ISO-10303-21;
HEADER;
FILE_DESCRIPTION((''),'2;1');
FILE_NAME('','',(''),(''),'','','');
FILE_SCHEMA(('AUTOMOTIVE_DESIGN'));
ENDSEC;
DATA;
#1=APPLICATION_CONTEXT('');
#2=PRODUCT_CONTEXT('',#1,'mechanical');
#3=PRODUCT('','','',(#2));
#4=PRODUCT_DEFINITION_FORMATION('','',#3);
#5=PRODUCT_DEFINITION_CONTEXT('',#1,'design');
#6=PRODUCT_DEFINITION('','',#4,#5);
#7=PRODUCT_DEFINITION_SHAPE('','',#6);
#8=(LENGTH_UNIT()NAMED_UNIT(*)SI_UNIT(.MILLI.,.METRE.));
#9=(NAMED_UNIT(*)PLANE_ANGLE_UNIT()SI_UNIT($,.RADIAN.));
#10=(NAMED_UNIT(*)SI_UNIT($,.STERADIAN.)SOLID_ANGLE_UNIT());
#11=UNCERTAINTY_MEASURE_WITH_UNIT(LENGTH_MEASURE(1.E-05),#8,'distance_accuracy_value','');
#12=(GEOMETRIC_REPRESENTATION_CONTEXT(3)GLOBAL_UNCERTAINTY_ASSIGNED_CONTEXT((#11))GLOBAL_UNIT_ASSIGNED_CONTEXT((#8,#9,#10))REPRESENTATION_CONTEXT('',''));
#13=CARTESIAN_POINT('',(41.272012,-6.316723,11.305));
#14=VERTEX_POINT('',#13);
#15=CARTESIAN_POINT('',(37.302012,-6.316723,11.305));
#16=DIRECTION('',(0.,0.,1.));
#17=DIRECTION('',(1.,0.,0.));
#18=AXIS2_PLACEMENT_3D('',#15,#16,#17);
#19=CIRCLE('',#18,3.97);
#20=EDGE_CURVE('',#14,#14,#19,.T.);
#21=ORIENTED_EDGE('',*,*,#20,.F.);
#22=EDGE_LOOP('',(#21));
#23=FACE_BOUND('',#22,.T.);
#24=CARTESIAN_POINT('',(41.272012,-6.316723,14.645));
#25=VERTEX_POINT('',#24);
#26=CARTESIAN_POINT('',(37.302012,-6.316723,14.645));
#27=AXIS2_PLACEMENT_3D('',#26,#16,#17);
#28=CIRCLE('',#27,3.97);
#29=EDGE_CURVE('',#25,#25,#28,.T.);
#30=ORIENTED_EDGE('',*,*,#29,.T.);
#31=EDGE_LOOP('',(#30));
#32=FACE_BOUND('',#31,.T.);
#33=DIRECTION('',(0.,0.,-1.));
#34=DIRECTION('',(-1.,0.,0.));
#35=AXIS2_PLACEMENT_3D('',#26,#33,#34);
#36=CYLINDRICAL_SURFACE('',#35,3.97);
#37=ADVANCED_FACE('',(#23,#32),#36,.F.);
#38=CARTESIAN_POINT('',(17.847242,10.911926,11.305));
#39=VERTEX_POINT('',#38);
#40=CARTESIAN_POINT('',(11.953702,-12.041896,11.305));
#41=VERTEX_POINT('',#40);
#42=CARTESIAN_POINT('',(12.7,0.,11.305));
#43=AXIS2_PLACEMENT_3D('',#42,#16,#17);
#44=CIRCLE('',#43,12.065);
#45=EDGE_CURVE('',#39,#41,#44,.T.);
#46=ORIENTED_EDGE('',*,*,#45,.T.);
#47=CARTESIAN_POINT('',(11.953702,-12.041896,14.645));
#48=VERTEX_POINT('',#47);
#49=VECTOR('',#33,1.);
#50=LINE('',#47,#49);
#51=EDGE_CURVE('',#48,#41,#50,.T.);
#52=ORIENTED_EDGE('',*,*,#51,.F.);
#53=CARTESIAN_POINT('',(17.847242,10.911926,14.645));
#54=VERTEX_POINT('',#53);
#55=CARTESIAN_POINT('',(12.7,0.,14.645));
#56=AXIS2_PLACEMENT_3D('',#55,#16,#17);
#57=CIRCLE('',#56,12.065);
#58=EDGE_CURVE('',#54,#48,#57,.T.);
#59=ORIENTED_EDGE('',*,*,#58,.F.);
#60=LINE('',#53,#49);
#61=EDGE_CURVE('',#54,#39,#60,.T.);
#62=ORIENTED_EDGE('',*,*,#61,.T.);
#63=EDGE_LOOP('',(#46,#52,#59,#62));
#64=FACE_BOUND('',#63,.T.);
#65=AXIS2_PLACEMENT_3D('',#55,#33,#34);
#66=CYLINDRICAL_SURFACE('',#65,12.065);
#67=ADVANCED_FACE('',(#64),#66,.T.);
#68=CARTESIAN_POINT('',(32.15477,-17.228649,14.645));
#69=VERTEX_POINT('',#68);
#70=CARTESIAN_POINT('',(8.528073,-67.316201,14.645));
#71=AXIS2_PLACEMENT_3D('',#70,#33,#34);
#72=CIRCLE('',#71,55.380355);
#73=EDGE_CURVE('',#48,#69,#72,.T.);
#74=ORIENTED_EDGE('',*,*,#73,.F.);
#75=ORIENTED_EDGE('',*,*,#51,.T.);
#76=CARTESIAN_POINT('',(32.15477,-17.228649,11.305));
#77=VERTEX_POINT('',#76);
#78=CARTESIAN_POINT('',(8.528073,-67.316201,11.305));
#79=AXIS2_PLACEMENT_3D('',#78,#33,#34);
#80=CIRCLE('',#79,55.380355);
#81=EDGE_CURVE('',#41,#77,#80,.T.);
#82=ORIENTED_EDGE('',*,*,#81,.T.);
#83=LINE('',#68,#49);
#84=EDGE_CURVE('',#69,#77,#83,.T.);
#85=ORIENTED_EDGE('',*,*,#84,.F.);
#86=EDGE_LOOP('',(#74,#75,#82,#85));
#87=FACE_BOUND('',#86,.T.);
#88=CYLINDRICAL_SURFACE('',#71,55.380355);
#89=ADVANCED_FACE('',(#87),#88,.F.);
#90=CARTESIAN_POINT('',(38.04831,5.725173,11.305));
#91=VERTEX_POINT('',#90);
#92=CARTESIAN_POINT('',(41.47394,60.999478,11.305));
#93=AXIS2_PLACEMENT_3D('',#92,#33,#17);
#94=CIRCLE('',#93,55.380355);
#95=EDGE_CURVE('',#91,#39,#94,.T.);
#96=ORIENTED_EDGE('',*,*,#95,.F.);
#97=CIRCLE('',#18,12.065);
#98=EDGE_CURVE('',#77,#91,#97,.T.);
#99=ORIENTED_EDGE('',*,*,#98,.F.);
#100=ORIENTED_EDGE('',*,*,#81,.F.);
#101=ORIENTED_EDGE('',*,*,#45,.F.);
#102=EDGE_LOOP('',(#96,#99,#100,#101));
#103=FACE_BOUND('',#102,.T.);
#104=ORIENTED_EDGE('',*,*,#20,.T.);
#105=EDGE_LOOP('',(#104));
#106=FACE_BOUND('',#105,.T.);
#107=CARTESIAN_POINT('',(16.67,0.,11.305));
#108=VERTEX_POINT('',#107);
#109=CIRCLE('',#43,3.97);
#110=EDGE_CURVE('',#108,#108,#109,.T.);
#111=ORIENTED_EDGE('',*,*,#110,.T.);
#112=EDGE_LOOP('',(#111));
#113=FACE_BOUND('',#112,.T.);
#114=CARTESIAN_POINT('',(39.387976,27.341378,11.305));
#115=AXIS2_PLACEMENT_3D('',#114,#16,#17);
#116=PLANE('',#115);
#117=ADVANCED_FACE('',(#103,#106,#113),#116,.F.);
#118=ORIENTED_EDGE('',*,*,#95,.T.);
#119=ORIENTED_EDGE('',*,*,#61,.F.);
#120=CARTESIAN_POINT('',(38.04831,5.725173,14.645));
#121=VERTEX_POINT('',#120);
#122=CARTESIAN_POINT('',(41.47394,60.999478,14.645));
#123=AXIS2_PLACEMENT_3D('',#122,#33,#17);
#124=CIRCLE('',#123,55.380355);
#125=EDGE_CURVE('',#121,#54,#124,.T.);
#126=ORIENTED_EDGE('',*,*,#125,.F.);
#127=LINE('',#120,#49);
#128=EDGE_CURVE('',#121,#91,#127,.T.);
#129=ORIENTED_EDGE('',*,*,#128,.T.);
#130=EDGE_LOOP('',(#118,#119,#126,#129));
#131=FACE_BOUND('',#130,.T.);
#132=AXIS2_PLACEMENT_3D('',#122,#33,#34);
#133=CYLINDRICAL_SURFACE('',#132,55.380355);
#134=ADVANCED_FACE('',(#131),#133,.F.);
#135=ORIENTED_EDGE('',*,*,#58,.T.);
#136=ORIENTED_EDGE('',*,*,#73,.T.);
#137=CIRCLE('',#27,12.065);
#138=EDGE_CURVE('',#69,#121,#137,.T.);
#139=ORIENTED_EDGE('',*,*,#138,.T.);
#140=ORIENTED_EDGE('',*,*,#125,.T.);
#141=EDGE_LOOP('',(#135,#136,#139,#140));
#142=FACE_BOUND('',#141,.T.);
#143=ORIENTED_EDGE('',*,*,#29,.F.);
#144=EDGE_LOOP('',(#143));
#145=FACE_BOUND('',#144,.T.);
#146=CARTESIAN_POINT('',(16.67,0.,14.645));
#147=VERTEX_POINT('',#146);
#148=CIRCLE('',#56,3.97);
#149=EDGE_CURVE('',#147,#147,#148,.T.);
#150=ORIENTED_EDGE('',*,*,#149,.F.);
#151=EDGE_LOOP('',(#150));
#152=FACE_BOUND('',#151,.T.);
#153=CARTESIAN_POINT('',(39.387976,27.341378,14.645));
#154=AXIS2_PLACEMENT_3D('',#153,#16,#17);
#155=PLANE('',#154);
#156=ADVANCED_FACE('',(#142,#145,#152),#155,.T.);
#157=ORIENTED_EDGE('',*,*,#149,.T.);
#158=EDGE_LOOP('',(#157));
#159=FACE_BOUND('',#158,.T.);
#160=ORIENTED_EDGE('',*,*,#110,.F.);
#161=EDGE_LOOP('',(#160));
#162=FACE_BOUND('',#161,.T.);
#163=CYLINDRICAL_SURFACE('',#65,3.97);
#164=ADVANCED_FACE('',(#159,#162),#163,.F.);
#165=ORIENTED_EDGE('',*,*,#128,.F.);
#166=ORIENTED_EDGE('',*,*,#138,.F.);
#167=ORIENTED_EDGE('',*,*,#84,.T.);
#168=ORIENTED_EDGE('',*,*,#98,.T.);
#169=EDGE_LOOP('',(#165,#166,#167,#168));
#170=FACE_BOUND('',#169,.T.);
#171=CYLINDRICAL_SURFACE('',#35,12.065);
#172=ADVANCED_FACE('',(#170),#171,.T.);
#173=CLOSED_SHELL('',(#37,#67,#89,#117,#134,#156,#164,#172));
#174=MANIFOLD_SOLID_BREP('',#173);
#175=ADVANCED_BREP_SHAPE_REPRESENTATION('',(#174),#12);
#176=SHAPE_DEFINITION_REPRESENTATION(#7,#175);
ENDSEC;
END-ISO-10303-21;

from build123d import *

# Parameters (mm, degrees)
SKETCH_2_R        = 7.94
EXTRUDE_1_DEPTH   = 7.875
EXTRUDE_1_2_DEPTH = 7.875
EXTRUDE_2_DEPTH   = 3.43
SKETCH_6_R        = 3.97
EXTRUDE_4_DEPTH   = 3.34


with BuildPart() as part:
    # 草图2 → 拉伸1 (new, symmetric)
    with BuildSketch(Plane.XY):
        with Locations((12.7, 0)):
            Circle(SKETCH_2_R)
    extrude(amount=EXTRUDE_1_DEPTH, both=True)



with BuildPart() as body_2:
    # 草图2 → Extrude 1 2 (new, symmetric)
    with BuildSketch(Plane.XY):
        with Locations((-12.7, 0)):
            Circle(SKETCH_2_R)
    extrude(amount=EXTRUDE_1_2_DEPTH, both=True)


with BuildPart() as part_1:
    add(part.part)

    add(body_2.part)  # 拉伸2 merges body 2
    # 草图3 → 拉伸2 (add)
    with BuildSketch(Plane.XY.offset(7.875)):
        with BuildLine():
            ThreePointArc((-10.428153415, 11.849174574), (-24.765, 0), (-10.428153415, -11.849174574))
            ThreePointArc((-10.428153415, -11.849174574), (0, -10.8585), (10.428153415, -11.849174574))
            ThreePointArc((10.428153415, -11.849174574), (24.765, 0), (10.428153415, 11.849174574))
            ThreePointArc((10.428153415, 11.849174574), (0, 10.8585), (-10.428153415, 11.849174574))
        make_face()
    extrude(amount=EXTRUDE_2_DEPTH)


with BuildPart() as body_2_2:
    # 草图6 → 拉伸4 (new body)
    with BuildSketch(Plane.XY.offset(11.305)):
        with BuildLine():
            ThreePointArc((32.154770058, -17.228648829), (48.987968132, -9.317166623), (38.048309834, 5.725173103))
            ThreePointArc((38.048309834, 5.725173103), (27.701405286, 7.358998688), (17.847242234, 10.911925695))
            ThreePointArc((17.847242234, 10.911925695), (1.014044161, 3.000443489), (11.953702459, -12.041896237))
            ThreePointArc((11.953702459, -12.041896237), (22.300607007, -13.675721822), (32.154770058, -17.228648829))
        make_face()
        with Locations((12.7, 0)):
            Circle(SKETCH_6_R, mode=Mode.SUBTRACT)
        with Locations((37.302012293, -6.316723134)):
            Circle(SKETCH_6_R, mode=Mode.SUBTRACT)
    extrude(amount=EXTRUDE_4_DEPTH)


solid = body_2_2.part
